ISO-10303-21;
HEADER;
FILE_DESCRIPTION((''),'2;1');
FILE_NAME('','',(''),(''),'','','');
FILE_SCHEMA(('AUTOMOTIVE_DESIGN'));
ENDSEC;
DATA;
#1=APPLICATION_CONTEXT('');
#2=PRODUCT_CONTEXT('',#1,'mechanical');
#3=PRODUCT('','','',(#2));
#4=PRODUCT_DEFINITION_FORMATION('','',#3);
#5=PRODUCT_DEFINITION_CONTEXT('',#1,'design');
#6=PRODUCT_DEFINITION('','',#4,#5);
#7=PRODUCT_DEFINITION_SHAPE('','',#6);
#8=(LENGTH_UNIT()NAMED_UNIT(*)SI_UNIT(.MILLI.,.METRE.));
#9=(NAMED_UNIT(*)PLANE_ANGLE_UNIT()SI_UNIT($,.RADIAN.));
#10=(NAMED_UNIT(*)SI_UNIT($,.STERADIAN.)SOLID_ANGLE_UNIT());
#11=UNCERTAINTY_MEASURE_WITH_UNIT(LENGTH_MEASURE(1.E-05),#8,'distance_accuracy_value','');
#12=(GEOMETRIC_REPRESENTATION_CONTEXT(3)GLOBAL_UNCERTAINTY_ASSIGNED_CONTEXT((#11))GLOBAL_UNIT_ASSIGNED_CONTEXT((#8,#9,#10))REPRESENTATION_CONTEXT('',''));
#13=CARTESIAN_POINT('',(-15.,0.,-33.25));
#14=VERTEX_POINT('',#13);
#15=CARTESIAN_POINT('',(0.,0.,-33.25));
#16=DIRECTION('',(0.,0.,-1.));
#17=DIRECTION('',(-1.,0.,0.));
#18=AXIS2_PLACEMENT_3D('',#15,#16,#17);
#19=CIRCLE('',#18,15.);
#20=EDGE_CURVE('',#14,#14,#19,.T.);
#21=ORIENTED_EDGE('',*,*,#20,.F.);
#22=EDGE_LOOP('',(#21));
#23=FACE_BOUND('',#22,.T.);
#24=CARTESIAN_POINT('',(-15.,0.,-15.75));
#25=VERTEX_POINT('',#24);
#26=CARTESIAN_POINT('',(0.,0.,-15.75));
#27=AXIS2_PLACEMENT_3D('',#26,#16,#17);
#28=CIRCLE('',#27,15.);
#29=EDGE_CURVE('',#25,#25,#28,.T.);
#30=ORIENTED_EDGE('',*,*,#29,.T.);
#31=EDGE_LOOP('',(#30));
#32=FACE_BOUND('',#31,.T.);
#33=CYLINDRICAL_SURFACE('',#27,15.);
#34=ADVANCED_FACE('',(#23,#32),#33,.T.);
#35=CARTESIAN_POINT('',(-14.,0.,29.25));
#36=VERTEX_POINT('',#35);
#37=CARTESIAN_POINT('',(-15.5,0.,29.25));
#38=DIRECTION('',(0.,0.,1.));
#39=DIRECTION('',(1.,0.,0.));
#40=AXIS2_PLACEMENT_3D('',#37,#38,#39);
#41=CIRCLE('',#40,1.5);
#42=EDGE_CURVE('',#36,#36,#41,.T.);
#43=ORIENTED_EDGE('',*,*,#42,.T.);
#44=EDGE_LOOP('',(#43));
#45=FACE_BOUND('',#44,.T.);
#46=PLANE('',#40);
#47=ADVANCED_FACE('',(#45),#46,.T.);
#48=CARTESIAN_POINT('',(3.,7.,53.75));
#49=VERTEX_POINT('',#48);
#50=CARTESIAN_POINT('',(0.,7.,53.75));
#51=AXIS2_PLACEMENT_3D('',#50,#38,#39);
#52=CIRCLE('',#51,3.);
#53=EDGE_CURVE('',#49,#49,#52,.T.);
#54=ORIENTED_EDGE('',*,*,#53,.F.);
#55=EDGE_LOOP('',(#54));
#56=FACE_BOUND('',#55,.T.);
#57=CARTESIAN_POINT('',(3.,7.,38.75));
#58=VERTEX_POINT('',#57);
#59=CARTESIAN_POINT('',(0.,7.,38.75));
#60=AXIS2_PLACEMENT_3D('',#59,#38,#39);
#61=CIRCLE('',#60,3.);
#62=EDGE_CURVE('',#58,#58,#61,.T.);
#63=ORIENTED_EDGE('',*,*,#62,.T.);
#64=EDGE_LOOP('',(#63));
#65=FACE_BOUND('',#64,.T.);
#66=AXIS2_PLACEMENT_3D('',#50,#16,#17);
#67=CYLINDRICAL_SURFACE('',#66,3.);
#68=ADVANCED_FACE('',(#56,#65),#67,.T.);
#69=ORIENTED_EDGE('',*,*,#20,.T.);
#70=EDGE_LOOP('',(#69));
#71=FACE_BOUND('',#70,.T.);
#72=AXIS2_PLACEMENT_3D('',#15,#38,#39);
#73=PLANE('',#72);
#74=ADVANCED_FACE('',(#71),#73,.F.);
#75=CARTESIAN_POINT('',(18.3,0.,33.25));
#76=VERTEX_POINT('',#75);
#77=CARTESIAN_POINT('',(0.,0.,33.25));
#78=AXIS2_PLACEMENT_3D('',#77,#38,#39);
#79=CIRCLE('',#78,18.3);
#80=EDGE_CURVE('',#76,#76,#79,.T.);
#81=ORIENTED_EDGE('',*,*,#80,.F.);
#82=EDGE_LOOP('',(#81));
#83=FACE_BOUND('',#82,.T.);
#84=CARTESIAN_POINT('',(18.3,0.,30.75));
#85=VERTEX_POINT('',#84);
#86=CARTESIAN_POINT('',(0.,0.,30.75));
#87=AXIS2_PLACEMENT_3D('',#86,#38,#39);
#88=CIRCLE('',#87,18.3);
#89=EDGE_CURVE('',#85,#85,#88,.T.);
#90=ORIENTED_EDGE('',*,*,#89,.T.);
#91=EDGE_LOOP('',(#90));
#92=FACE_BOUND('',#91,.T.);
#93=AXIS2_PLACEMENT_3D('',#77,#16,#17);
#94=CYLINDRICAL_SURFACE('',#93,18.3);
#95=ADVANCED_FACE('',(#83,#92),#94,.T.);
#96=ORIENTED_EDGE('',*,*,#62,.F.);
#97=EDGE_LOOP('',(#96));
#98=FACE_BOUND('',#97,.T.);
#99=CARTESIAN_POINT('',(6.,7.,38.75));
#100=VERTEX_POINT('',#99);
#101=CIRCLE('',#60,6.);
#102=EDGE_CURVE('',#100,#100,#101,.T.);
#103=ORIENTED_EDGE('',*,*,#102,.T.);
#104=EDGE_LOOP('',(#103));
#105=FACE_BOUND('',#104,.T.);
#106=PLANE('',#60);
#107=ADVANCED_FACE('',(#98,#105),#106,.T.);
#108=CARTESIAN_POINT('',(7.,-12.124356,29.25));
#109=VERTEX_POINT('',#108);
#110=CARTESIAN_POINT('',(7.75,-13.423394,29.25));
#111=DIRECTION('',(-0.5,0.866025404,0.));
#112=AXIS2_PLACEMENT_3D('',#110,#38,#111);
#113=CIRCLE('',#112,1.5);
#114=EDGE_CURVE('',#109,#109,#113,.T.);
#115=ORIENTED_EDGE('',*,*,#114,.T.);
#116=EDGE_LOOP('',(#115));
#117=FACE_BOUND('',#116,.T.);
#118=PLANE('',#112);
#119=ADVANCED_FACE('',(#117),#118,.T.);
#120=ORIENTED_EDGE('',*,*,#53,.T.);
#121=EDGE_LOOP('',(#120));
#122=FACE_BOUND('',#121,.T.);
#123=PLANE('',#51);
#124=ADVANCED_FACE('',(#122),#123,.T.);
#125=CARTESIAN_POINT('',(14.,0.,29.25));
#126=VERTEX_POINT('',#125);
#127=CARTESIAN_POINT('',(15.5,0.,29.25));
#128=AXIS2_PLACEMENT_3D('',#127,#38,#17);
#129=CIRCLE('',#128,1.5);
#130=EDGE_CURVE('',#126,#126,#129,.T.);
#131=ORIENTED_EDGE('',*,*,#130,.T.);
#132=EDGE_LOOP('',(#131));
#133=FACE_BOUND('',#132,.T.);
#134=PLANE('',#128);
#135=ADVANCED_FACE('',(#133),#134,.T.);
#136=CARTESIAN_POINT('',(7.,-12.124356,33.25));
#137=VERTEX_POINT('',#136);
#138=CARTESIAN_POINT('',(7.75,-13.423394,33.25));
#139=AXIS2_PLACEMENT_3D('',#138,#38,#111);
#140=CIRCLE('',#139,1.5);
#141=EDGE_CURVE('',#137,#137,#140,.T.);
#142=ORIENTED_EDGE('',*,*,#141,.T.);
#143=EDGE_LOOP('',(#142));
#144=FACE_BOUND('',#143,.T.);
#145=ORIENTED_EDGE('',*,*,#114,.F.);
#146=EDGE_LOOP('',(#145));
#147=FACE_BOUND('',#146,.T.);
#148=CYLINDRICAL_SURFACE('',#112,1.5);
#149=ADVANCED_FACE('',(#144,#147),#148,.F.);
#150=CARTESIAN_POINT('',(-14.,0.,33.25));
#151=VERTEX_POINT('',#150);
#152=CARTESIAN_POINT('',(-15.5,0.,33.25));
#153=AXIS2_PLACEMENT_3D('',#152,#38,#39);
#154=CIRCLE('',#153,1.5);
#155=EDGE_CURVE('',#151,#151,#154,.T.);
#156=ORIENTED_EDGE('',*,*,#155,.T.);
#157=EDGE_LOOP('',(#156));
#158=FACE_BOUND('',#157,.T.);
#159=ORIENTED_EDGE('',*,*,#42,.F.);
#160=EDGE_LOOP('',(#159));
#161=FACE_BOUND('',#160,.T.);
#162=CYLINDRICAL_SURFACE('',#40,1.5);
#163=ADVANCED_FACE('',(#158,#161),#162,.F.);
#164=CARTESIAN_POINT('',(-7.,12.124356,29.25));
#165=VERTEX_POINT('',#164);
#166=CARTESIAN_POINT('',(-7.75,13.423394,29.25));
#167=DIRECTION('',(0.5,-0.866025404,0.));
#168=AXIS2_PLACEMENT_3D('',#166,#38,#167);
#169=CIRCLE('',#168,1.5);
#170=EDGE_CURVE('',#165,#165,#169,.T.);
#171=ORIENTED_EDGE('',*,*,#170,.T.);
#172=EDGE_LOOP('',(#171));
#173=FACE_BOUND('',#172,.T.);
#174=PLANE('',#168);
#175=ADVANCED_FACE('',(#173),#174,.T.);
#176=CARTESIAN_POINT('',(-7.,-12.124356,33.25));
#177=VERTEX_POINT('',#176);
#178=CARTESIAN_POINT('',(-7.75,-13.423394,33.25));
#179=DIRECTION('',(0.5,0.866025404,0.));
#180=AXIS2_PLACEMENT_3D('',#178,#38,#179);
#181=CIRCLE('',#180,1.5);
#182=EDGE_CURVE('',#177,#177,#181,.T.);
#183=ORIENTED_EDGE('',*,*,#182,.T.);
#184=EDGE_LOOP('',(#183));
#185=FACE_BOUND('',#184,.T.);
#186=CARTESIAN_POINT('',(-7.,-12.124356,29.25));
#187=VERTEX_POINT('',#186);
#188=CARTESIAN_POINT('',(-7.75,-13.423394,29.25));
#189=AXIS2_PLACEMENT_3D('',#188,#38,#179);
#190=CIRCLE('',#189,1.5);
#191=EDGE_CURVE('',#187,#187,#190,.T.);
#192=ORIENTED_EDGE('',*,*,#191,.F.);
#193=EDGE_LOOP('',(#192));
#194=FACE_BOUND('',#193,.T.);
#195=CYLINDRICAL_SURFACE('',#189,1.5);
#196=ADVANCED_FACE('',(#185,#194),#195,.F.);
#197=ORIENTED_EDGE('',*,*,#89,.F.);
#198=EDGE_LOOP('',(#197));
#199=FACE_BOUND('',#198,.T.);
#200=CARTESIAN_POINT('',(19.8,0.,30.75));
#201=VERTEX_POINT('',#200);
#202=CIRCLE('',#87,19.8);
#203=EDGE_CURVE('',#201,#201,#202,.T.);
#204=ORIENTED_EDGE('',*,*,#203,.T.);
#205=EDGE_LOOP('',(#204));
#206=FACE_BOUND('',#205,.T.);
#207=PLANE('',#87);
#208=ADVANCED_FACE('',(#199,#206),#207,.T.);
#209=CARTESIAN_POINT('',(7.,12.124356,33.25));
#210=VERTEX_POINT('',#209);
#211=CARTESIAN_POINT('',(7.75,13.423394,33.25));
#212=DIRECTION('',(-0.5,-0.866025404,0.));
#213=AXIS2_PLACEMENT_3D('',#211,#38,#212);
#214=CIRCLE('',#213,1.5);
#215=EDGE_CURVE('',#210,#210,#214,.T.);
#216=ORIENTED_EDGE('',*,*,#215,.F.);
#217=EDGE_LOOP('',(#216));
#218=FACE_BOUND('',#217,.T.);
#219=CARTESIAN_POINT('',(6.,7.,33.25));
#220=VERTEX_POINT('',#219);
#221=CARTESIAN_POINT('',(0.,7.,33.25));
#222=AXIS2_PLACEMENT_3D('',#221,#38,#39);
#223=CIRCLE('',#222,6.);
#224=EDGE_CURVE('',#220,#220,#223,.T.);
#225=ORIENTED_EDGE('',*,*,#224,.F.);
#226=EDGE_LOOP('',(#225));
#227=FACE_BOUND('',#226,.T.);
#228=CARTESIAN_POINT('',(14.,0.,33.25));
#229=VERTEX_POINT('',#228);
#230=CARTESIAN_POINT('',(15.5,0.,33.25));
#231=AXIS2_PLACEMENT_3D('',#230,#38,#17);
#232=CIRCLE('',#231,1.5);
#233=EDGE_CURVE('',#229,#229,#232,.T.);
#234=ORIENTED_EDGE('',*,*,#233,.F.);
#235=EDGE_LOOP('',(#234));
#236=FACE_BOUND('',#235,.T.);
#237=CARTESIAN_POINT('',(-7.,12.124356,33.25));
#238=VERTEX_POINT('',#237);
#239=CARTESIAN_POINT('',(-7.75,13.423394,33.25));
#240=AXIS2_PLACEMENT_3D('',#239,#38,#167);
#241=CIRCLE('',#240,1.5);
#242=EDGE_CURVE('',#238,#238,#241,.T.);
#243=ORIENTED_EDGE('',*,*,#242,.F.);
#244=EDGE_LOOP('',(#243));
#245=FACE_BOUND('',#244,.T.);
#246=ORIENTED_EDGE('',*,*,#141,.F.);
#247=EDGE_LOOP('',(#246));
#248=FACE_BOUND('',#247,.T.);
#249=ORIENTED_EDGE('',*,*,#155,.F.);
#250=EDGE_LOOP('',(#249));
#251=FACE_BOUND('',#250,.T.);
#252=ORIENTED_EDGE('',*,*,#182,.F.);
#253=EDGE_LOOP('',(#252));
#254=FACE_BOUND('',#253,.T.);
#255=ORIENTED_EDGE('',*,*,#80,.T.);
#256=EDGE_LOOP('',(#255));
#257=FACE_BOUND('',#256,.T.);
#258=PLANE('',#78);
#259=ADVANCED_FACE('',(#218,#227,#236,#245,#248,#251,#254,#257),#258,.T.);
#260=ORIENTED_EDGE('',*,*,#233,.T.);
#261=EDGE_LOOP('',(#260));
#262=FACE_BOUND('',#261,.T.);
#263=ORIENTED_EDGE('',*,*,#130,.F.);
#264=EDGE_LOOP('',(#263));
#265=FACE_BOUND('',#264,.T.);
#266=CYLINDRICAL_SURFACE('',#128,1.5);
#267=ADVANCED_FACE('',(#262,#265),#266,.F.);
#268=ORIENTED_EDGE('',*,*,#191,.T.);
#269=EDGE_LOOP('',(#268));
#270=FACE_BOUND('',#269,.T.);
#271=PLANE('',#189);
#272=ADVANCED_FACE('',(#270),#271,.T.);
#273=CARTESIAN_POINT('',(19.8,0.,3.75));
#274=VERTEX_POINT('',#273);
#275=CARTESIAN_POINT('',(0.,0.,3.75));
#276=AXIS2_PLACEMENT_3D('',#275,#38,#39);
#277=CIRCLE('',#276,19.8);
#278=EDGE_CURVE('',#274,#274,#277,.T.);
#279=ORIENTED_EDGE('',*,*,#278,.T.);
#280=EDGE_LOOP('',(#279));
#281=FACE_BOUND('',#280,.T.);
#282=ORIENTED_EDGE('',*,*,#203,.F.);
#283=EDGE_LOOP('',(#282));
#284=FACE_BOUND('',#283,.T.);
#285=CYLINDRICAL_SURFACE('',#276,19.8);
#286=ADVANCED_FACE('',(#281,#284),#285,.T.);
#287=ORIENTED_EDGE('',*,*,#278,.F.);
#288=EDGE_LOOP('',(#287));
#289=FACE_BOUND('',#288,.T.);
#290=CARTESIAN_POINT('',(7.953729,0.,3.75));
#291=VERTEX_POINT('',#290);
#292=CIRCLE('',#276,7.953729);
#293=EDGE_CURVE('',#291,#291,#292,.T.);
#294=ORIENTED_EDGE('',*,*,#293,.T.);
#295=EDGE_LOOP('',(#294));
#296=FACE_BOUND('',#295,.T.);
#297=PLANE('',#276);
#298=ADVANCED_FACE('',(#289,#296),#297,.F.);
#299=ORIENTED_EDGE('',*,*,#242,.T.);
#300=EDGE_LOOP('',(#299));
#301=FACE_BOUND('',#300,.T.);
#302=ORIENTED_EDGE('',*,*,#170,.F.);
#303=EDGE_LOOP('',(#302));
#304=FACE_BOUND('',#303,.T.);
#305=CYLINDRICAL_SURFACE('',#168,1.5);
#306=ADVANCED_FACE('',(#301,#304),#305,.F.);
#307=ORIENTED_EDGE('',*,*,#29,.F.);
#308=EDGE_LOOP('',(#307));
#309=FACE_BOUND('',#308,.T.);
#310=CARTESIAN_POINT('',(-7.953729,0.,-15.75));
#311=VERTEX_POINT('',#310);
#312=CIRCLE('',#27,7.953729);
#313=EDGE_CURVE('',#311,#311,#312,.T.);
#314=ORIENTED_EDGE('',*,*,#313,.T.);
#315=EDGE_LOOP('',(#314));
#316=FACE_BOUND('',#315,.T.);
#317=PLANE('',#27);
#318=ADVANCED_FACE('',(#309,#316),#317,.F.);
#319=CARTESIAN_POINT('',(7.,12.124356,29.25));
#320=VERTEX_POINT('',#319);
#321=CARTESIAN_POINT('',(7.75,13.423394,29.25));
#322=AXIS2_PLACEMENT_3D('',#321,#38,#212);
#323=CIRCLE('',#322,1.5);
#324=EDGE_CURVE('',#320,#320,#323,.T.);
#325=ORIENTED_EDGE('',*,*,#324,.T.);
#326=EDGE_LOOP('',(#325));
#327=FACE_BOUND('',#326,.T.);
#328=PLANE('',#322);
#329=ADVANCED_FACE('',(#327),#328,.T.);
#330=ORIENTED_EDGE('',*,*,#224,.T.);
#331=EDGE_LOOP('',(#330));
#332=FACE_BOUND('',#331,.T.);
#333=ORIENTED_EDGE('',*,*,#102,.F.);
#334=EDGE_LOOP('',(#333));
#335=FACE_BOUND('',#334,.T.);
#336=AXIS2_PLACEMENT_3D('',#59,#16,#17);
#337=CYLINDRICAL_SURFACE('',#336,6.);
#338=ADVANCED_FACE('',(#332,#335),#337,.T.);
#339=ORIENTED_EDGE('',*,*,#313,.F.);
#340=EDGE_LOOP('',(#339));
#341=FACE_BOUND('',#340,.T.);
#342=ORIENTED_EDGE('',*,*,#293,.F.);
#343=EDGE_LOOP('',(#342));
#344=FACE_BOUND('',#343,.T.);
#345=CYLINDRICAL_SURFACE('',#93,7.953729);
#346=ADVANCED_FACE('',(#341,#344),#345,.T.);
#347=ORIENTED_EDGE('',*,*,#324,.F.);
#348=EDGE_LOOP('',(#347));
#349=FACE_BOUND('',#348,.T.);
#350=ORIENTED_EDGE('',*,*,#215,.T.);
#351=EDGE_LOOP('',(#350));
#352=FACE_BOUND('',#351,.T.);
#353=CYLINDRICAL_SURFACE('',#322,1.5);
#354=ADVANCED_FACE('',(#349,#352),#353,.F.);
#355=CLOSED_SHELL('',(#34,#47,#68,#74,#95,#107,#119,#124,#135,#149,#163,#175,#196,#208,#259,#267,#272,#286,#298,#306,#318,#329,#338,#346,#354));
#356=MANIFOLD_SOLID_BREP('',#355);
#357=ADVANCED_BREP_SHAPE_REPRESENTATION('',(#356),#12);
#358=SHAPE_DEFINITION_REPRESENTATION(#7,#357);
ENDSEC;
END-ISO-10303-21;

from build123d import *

# Parameters (mm, degrees)
SKETCH4_R           = 7.953728713
BOSS_EXTRUDE4_DEPTH = 33.25
SKETCH5_R           = 18.3
BOSS_EXTRUDE5_DEPTH = 2.5
SKETCH5_3_R         = 19.8
BOSS_EXTRUDE6_DEPTH = 27
SKETCH6_R           = 15
BOSS_EXTRUDE7_DEPTH = 17.5
SKETCH7_R           = 6
BOSS_EXTRUDE8_DEPTH = 5.5
SKETCH9_R           = 3
BOSS_EXTRUDE9_DEPTH = 15
SKETCH10_R          = 1.5
CUT_EXTRUDE1_DEPTH  = 4
CIRPATTERN1_COUNT   = 6


with BuildPart() as part:
    # Sketch4 → Boss-Extrude4 (new, symmetric)
    with BuildSketch(Plane.XY):
        Circle(SKETCH4_R)
    extrude(amount=BOSS_EXTRUDE4_DEPTH, both=True)

    # Sketch5 → Boss-Extrude5 (add)
    with BuildSketch(Plane.XY.offset(30.75)):
        Circle(SKETCH5_R)
    extrude(amount=BOSS_EXTRUDE5_DEPTH)

    # Sketch5<3> → Boss-Extrude6 (add)
    with BuildSketch(Plane.XY.offset(30.75)):
        Circle(SKETCH5_3_R)
    extrude(amount=-BOSS_EXTRUDE6_DEPTH)

    # Sketch6 → Boss-Extrude7 (add)
    with BuildSketch(Plane(origin=(0, 0, -33.25), x_dir=(-1, 0, 0), z_dir=(0, 0, -1))):
        Circle(SKETCH6_R)
    extrude(amount=-BOSS_EXTRUDE7_DEPTH)

    # Sketch7 → Boss-Extrude8 (add)
    with BuildSketch(Plane.XY.offset(33.25)):
        with Locations((0, 7)):
            Circle(SKETCH7_R)
    extrude(amount=BOSS_EXTRUDE8_DEPTH)

    # Sketch9 → Boss-Extrude9 (add)
    with BuildSketch(Plane.XY.offset(38.75)):
        with Locations((0, 7)):
            Circle(SKETCH9_R)
    extrude(amount=BOSS_EXTRUDE9_DEPTH)

    # Sketch10 → Cut-Extrude1 (cut)
    with BuildSketch(Plane.XY.offset(33.25)):
        with Locations((-15.5, 0)):
            Circle(SKETCH10_R)
    cut_extrude1 = extrude(amount=-CUT_EXTRUDE1_DEPTH, mode=Mode.SUBTRACT)

    # CirPattern1: Cut-Extrude1 ×6 about axis
    cirpattern1_axis = Axis((0, 0, 64.697513325), (0, 0, -1))
    for i in range(1, CIRPATTERN1_COUNT):
        add(cut_extrude1.rotate(cirpattern1_axis, i * 360 / CIRPATTERN1_COUNT), mode=Mode.SUBTRACT)


solid = part.part
